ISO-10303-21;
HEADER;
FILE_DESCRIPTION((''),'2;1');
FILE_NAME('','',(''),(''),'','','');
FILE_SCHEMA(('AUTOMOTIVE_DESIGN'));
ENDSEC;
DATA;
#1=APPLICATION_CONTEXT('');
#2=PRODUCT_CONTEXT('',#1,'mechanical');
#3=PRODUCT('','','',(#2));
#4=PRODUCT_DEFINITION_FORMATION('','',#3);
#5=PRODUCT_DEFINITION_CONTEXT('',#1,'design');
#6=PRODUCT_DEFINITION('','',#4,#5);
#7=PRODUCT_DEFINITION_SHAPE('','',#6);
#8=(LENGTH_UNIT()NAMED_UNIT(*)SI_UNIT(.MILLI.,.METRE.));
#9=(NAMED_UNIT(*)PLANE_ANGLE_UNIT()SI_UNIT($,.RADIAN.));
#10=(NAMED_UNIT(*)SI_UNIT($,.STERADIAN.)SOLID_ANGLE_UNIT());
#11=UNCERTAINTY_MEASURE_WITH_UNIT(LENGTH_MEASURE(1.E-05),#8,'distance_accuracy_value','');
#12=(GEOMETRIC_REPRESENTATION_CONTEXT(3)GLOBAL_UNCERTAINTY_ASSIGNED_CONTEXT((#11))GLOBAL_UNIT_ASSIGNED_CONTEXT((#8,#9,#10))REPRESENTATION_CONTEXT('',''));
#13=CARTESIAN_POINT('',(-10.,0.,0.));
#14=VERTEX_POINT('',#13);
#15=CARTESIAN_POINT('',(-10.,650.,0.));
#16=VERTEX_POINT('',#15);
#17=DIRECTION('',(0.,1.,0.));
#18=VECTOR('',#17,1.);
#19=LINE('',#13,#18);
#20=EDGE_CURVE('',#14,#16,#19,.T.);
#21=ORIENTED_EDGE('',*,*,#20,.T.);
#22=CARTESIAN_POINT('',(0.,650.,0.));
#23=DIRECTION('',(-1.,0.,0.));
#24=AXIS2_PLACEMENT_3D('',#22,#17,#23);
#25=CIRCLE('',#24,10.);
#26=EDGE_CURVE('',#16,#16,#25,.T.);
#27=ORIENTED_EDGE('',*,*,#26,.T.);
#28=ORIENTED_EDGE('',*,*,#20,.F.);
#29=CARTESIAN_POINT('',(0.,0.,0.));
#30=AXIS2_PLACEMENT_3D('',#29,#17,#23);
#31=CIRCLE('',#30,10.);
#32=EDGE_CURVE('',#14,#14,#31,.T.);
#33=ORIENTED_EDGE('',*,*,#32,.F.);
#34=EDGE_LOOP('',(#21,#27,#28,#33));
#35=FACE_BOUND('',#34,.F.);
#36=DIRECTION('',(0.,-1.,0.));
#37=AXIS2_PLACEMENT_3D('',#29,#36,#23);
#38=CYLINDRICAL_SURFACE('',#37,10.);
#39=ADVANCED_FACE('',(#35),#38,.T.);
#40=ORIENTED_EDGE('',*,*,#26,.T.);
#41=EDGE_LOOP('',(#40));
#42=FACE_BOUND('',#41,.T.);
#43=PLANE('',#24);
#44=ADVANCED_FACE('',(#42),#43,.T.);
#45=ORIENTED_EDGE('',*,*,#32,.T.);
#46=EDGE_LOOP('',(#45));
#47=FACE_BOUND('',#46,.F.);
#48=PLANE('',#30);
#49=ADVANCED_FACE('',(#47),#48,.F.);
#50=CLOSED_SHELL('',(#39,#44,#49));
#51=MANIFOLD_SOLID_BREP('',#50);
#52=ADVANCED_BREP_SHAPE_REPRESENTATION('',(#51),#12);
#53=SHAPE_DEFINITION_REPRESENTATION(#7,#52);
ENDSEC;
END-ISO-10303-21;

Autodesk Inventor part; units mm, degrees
ref_plane "YZ Plane" through (0, 0, 0) normal (1, 0, 0) x (0, 1, 0)
ref_plane "XZ Plane" through (0, 0, 0) normal (0, 1, 0) x (-1, 0, 0)
ref_plane "XY Plane" through (0, 0, 0) normal (0, 0, 1) x (1, 0, 0)
sketch "Sketch1" plane through (0, 0, 0) normal (0, 1, 0) x (-1, 0, 0)
  circle A0 centre (0, 0) radius 10
  dimension "d0" = 20
extrude "Extrusion1" add sketch "Sketch1" along normal blind 650
properties part number "Shaft_2"
